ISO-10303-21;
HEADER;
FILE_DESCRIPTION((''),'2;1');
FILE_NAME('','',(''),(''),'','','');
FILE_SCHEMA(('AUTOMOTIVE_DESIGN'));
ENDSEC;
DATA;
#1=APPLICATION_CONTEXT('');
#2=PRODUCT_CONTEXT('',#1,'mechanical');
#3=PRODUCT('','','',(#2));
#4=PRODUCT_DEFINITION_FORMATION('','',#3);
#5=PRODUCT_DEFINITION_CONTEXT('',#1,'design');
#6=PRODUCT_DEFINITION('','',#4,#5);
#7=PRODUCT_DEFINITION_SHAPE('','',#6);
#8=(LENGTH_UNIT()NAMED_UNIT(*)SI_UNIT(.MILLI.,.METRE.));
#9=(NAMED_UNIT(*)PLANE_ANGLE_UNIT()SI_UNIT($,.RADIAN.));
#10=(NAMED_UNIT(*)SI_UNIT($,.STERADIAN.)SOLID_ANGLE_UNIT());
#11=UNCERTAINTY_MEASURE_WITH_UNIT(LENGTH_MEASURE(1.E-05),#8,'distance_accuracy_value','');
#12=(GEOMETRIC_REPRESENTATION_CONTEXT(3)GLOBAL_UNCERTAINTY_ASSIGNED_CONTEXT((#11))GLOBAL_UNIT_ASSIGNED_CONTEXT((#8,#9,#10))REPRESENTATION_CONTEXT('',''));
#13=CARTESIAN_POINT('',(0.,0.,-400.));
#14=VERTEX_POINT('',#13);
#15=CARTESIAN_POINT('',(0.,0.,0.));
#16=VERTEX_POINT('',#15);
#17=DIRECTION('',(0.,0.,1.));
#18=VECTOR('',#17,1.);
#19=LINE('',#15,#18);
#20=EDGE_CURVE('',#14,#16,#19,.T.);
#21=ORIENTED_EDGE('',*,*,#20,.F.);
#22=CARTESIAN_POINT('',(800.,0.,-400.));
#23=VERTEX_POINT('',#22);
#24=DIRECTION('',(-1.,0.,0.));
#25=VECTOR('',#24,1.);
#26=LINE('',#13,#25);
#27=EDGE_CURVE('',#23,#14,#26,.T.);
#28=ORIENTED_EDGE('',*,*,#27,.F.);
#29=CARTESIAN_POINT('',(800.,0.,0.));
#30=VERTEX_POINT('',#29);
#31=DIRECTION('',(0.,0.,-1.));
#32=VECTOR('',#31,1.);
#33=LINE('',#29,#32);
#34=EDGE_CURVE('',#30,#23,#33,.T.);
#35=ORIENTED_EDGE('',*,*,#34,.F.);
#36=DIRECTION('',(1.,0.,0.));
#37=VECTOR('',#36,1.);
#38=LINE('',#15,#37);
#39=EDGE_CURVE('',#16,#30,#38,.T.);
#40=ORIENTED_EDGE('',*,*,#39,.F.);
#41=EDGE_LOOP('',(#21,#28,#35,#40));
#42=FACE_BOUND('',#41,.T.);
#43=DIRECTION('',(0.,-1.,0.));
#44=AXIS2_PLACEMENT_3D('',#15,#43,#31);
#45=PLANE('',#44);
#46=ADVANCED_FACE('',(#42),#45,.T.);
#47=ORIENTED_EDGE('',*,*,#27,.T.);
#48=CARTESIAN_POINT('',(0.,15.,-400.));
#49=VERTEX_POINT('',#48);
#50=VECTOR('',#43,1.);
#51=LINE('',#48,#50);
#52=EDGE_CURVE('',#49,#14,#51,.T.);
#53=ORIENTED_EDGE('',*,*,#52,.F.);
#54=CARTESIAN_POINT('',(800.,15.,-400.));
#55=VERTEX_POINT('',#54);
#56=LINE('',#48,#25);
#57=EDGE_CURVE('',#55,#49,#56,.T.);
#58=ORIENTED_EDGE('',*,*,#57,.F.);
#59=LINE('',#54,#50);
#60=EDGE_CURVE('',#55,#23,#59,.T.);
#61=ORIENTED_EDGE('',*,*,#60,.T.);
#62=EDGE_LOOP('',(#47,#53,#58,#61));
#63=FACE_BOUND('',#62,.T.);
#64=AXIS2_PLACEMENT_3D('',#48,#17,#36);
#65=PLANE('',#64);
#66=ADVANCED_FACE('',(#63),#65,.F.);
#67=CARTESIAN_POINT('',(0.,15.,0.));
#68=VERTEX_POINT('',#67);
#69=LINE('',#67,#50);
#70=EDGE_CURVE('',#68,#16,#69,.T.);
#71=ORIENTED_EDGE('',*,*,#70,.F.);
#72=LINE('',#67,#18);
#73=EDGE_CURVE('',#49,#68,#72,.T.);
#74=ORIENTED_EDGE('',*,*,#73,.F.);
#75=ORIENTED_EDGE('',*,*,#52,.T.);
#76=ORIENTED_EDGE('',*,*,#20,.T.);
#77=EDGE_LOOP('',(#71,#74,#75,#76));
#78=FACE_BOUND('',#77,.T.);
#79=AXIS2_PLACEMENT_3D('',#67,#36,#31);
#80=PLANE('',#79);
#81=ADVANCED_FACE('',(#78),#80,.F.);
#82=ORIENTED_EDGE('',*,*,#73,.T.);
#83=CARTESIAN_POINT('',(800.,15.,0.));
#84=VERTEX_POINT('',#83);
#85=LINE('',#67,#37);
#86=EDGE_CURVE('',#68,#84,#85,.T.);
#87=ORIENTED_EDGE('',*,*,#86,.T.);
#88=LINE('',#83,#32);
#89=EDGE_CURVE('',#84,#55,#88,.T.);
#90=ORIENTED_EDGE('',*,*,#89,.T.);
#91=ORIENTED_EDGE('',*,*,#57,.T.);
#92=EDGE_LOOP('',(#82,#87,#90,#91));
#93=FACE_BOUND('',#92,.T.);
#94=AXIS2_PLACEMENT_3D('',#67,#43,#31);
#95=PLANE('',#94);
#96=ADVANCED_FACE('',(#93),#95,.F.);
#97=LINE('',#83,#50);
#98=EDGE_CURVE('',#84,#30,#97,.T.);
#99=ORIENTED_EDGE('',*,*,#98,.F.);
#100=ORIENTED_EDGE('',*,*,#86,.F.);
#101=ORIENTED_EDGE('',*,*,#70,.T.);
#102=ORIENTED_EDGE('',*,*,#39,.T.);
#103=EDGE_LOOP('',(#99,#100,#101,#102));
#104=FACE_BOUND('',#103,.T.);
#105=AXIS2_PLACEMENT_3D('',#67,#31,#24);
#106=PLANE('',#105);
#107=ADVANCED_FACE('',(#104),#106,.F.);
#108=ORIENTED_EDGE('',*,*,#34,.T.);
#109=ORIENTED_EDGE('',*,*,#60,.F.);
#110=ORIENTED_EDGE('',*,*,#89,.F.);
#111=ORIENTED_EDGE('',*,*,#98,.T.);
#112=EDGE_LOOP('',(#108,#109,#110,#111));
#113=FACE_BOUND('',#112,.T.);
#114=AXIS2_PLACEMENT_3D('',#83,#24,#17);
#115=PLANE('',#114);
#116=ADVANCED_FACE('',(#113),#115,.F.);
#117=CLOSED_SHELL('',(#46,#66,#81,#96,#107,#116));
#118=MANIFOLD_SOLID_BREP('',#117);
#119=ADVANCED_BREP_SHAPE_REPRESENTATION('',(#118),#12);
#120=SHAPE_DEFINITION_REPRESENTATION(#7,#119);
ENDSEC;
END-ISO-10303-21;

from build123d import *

# Parameters (mm, degrees)
SKETCH1_W           = 800
SKETCH1_H           = 400
BOSS_EXTRUDE1_DEPTH = 15


with BuildPart() as part:
    # Sketch1 → Boss-Extrude1 (new body)
    with BuildSketch(Plane(origin=(0, 0, 0), x_dir=(1, 0, 0), z_dir=(0, 1, 0))):
        with Locations((400, 200)):
            Rectangle(SKETCH1_W, SKETCH1_H)
    extrude(amount=BOSS_EXTRUDE1_DEPTH)


solid = part.part
